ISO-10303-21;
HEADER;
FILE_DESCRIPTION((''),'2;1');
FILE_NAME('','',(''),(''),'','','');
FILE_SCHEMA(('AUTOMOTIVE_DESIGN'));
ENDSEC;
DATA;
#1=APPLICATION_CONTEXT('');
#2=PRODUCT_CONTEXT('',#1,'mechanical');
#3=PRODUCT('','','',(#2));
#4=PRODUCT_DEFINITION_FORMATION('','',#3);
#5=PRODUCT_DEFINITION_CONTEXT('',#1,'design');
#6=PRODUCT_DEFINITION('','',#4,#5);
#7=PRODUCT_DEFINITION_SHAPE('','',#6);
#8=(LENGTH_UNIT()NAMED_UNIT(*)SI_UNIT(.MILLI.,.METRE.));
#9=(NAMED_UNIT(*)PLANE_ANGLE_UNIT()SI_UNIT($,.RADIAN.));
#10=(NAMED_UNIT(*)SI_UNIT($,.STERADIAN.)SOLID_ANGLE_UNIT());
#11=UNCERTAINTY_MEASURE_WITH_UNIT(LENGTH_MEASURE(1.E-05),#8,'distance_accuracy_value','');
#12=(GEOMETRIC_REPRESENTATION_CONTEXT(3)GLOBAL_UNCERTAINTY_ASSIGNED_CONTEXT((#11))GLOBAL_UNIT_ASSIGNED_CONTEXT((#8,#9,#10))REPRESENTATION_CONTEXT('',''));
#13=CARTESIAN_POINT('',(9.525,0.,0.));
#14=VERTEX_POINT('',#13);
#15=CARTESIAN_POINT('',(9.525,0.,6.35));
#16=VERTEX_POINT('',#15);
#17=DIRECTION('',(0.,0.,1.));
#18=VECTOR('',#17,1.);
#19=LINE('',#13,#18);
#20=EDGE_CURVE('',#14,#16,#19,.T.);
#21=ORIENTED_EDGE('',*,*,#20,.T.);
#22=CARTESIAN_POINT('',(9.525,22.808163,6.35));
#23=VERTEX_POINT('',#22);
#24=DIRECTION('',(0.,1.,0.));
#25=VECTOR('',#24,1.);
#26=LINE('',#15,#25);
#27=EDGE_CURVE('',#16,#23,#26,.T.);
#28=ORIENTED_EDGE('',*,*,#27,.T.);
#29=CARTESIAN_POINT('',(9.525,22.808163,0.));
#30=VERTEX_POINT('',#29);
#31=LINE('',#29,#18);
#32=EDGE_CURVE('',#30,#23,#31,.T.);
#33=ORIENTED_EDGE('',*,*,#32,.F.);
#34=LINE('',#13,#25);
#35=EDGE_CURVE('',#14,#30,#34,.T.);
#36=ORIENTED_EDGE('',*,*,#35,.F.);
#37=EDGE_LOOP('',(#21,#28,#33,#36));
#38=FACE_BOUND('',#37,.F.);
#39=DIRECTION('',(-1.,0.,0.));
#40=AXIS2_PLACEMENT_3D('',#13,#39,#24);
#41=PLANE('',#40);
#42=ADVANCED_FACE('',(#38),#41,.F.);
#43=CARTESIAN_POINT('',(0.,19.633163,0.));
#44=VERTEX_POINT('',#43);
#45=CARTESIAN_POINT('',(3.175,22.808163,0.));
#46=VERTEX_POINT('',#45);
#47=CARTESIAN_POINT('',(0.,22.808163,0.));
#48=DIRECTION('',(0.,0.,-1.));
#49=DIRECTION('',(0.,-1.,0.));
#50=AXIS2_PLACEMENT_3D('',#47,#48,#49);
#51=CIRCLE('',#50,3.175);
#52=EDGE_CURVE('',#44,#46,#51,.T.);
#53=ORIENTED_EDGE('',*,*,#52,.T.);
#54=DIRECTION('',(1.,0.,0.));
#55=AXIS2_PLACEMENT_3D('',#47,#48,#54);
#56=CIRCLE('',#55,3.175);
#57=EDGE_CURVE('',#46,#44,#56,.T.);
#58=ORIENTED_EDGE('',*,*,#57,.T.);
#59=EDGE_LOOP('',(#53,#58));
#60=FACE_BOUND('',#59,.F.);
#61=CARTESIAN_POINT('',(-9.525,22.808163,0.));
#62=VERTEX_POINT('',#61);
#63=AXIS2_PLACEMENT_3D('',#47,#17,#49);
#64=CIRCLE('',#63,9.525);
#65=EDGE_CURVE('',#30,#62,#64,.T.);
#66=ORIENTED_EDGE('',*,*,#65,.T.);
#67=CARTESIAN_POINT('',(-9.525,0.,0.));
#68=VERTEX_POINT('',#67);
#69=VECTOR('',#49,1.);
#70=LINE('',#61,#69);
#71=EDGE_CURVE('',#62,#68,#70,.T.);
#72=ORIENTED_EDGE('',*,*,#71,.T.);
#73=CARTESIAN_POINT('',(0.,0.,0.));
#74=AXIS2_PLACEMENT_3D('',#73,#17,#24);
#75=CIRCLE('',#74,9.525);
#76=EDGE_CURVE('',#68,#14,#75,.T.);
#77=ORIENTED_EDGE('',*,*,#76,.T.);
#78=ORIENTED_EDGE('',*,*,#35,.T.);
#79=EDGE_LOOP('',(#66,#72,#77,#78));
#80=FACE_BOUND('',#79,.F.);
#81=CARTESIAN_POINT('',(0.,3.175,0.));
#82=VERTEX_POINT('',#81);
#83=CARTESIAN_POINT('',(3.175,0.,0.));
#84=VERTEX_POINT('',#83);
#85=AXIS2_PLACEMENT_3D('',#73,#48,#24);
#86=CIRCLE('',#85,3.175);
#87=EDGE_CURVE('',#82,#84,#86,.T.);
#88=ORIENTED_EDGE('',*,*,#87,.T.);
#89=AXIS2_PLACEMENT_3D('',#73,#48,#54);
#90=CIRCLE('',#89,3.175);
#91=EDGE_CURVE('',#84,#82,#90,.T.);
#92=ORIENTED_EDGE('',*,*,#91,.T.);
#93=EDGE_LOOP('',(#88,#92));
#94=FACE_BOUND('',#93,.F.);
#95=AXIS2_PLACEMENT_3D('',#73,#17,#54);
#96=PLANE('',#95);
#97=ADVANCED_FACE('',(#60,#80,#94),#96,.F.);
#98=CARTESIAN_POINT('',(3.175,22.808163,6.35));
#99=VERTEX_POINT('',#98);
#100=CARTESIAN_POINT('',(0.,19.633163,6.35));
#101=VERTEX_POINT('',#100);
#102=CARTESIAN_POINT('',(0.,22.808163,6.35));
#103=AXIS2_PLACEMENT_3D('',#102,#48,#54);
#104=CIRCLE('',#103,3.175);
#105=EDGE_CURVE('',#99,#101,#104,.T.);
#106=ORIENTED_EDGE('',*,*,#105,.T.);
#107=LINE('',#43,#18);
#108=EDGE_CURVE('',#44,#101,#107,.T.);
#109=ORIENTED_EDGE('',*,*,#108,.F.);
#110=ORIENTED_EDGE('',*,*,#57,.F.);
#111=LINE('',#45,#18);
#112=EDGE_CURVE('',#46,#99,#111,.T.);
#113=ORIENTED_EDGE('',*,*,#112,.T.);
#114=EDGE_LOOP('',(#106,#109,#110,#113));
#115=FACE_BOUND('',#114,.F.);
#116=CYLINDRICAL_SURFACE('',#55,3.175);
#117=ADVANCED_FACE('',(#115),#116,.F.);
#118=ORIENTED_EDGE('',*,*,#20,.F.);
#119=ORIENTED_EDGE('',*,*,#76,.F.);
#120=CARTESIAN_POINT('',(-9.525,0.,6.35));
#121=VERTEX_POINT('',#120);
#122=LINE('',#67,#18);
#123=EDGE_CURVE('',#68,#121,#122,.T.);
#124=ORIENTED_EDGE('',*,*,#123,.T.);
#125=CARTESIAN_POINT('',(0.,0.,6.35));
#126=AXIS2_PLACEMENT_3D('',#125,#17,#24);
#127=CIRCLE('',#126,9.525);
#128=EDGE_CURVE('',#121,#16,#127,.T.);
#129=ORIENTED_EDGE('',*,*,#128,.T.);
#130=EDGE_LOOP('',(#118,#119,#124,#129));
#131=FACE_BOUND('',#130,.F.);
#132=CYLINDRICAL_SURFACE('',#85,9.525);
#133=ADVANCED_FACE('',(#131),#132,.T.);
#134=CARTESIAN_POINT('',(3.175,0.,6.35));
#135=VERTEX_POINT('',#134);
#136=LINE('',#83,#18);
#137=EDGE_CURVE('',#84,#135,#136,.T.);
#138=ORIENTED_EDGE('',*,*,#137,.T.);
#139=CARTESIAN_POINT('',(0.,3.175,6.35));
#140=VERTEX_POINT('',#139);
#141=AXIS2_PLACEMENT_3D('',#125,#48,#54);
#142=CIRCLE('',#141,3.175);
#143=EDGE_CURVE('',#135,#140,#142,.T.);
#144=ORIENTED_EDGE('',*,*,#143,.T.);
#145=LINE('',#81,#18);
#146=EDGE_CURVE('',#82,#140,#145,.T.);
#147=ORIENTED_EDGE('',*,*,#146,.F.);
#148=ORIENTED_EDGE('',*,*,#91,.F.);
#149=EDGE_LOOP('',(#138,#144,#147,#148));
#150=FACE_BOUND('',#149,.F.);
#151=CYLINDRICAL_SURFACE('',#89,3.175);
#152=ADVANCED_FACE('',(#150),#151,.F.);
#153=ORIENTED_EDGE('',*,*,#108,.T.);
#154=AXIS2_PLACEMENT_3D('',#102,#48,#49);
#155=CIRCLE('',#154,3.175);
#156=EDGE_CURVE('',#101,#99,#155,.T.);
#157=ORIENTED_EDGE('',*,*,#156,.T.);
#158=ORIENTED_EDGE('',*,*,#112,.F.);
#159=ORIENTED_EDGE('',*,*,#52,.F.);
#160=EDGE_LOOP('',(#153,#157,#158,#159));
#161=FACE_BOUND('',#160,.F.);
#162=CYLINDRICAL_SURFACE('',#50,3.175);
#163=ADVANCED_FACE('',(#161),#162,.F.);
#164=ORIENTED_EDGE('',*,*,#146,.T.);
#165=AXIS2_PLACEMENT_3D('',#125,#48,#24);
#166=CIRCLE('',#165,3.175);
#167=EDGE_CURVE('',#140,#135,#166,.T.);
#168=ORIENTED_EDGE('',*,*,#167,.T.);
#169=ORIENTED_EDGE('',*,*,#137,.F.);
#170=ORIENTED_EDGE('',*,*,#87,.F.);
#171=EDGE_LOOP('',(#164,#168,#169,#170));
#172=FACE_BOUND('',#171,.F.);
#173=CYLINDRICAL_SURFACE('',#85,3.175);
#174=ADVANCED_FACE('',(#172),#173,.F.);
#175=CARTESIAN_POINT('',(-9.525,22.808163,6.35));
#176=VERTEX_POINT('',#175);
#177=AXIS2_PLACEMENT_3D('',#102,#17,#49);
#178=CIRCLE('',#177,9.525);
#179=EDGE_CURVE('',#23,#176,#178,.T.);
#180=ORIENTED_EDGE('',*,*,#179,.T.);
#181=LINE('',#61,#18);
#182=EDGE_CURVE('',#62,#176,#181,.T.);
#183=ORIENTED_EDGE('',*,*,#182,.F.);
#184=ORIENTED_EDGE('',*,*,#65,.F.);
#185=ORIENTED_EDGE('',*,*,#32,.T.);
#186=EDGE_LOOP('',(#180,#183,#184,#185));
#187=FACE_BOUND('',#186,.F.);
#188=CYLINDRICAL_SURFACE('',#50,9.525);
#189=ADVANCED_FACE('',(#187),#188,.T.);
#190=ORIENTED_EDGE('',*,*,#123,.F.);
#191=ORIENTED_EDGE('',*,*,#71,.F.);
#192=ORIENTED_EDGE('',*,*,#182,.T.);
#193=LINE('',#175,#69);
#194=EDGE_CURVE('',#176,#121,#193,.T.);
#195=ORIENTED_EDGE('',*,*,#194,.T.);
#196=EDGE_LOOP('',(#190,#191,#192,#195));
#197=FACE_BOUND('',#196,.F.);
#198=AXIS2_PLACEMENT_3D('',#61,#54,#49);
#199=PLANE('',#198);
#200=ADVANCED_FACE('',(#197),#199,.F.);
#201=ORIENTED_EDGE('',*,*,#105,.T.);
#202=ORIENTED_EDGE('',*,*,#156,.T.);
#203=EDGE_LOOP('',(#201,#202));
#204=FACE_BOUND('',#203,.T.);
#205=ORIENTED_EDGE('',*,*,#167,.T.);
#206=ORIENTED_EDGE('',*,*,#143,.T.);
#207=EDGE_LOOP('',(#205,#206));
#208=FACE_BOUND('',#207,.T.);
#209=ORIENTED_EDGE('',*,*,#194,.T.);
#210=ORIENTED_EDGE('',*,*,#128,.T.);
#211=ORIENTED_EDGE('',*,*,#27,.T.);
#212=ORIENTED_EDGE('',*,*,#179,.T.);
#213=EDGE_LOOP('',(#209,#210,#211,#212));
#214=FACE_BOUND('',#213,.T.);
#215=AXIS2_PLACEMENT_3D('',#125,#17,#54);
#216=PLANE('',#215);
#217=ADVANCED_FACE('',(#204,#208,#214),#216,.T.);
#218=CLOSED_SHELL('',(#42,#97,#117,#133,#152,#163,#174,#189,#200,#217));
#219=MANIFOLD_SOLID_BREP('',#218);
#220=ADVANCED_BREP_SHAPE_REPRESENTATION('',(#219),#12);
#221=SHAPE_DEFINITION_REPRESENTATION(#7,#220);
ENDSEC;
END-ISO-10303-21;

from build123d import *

# Parameters (mm, degrees)
F1_DEPTH = 6.35


with BuildPart() as f1:
    # F0 (on Top) → F1 (new body)
    with BuildSketch(Plane.XY):
        with BuildLine():
            ThreePointArc((9.525, 0), (6.7351920908, 6.7351920908), (0, 9.525))
            ThreePointArc((0, 9.525), (-6.7351920908, 6.7351920908), (-9.525, 0))
            ThreePointArc((-9.525, 0), (0, -9.525), (9.525, 0))
        make_face()
        with BuildLine():
            ThreePointArc((3.175, 0), (-2.2450640303, -2.2450640303), (0, 3.175))
            ThreePointArc((0, 3.175), (2.2450640303, 2.2450640303), (3.175, 0))
        make_face(mode=Mode.SUBTRACT)
        with BuildLine():
            ThreePointArc((-9.525, 0), (-6.7351920908, 6.7351920908), (0, 9.525))
            Line((0, 9.525), (0, 13.2831632736))
            ThreePointArc((0, 13.2831632736), (-6.7351920908, 16.0729711828), (-9.525, 22.8081632736))
            Line((-9.525, 22.8081632736), (-9.525, 0))
        make_face()
        with BuildLine():
            Line((0, 13.2831632736), (0, 9.525))
            ThreePointArc((0, 9.525), (6.7351920908, 6.7351920908), (9.525, 0))
            Line((9.525, 0), (9.525, 22.8081632736))
            ThreePointArc((9.525, 22.8081632736), (6.7351920908, 16.0729711828), (0, 13.2831632736))
        make_face()
        with BuildLine():
            ThreePointArc((-9.525, 22.8081632736), (-6.7351920908, 16.0729711828), (0, 13.2831632736))
            ThreePointArc((0, 13.2831632736), (6.7351920908, 16.0729711828), (9.525, 22.8081632736))
            ThreePointArc((9.525, 22.8081632736), (0, 32.3331632736), (-9.525, 22.8081632736))
        make_face()
        with BuildLine():
            ThreePointArc((3.175, 22.8081632736), (2.2450640303, 20.5630992433), (0, 19.6331632736))
            ThreePointArc((0, 19.6331632736), (-2.2450640303, 25.0532273039), (3.175, 22.8081632736))
        make_face(mode=Mode.SUBTRACT)
    extrude(amount=F1_DEPTH)


solid = f1.part
